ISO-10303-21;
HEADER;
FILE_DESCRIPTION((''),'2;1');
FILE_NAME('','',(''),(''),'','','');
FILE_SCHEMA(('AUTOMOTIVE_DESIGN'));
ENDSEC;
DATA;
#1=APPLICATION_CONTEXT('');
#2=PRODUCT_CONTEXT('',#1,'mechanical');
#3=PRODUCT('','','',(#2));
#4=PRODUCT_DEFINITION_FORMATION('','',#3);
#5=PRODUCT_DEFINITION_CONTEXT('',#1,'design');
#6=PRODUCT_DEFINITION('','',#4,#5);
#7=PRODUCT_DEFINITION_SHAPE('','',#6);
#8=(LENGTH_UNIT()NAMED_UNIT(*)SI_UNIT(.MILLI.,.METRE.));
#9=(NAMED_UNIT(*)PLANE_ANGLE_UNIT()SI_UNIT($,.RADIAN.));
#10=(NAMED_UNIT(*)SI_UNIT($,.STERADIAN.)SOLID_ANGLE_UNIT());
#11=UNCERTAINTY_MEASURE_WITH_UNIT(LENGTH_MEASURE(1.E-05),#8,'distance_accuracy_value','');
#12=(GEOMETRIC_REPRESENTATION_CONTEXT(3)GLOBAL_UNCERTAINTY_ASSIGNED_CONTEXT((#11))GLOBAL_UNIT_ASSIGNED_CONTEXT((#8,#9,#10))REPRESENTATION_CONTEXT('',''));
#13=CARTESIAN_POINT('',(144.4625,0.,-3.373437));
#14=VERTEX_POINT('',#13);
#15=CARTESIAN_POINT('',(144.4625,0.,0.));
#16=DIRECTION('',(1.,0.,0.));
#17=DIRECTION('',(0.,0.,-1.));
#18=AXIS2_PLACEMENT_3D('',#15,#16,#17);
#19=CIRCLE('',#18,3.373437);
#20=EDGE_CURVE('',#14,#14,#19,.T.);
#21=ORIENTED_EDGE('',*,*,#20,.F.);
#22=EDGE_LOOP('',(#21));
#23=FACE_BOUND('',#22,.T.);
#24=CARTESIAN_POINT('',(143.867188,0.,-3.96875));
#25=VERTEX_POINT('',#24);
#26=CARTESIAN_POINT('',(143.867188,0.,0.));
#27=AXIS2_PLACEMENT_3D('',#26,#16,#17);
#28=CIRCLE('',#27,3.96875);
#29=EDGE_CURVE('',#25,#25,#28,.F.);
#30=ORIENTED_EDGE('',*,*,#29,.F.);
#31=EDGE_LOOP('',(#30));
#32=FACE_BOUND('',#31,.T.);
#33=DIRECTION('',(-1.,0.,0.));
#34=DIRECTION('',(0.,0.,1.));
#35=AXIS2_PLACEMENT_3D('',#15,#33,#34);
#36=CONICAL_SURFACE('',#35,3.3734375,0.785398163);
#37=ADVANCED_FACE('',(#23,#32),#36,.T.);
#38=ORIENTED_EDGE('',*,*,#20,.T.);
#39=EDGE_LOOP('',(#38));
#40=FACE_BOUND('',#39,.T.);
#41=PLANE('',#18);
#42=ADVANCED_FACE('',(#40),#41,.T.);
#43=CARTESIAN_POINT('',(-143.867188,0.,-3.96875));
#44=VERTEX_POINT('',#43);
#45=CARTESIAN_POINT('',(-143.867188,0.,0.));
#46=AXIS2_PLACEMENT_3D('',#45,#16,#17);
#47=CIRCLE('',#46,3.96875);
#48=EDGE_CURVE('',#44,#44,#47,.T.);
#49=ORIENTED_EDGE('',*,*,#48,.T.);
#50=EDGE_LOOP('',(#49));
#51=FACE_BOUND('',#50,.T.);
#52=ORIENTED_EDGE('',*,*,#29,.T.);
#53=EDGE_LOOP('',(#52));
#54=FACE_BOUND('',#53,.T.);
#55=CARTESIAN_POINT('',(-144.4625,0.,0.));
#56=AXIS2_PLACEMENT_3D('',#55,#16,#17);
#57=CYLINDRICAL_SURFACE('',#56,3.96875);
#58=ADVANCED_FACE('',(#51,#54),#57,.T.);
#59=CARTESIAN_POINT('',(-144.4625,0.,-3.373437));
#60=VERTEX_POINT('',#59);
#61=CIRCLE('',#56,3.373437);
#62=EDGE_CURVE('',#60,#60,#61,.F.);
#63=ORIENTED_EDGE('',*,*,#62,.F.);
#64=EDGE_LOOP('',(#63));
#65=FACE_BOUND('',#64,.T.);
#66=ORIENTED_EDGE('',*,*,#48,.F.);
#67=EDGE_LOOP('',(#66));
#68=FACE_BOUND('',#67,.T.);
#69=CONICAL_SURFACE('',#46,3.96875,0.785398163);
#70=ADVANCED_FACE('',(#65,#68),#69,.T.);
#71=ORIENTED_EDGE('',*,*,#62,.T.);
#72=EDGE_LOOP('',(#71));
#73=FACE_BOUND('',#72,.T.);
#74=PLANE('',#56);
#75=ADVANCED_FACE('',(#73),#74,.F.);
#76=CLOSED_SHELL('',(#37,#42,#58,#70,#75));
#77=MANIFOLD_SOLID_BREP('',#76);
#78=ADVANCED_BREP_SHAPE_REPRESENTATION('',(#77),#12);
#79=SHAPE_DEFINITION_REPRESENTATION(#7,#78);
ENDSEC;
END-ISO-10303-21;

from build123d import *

# Parameters (mm, degrees)
SKETCH2_R                = 3.96875
BOSS_EXTRUDE1_DEPTH      = 144.4625
BOSS_EXTRUDE1_DEPTH_BACK = 144.4625
CHAMFER1_SIZE            = 0.5953125


with BuildPart() as part:
    # Sketch2 → Boss-Extrude1 (new body, two sides)
    with BuildSketch(Plane(origin=(0, 0, 0), x_dir=(0, 0, -1), z_dir=(1, 0, 0))) as boss_extrude1_sk:
        Circle(SKETCH2_R)
    extrude(amount=BOSS_EXTRUDE1_DEPTH)
    extrude(boss_extrude1_sk.sketch, amount=-BOSS_EXTRUDE1_DEPTH_BACK)

    # Chamfer1
    chamfer1_edges = [part.edges().sort_by_distance(p)[0] for p in [
        (-144.4625, 0, 3.96875),
        (144.4625, 0, 3.96875),
    ]]
    chamfer(chamfer1_edges, length=CHAMFER1_SIZE)


solid = part.part
